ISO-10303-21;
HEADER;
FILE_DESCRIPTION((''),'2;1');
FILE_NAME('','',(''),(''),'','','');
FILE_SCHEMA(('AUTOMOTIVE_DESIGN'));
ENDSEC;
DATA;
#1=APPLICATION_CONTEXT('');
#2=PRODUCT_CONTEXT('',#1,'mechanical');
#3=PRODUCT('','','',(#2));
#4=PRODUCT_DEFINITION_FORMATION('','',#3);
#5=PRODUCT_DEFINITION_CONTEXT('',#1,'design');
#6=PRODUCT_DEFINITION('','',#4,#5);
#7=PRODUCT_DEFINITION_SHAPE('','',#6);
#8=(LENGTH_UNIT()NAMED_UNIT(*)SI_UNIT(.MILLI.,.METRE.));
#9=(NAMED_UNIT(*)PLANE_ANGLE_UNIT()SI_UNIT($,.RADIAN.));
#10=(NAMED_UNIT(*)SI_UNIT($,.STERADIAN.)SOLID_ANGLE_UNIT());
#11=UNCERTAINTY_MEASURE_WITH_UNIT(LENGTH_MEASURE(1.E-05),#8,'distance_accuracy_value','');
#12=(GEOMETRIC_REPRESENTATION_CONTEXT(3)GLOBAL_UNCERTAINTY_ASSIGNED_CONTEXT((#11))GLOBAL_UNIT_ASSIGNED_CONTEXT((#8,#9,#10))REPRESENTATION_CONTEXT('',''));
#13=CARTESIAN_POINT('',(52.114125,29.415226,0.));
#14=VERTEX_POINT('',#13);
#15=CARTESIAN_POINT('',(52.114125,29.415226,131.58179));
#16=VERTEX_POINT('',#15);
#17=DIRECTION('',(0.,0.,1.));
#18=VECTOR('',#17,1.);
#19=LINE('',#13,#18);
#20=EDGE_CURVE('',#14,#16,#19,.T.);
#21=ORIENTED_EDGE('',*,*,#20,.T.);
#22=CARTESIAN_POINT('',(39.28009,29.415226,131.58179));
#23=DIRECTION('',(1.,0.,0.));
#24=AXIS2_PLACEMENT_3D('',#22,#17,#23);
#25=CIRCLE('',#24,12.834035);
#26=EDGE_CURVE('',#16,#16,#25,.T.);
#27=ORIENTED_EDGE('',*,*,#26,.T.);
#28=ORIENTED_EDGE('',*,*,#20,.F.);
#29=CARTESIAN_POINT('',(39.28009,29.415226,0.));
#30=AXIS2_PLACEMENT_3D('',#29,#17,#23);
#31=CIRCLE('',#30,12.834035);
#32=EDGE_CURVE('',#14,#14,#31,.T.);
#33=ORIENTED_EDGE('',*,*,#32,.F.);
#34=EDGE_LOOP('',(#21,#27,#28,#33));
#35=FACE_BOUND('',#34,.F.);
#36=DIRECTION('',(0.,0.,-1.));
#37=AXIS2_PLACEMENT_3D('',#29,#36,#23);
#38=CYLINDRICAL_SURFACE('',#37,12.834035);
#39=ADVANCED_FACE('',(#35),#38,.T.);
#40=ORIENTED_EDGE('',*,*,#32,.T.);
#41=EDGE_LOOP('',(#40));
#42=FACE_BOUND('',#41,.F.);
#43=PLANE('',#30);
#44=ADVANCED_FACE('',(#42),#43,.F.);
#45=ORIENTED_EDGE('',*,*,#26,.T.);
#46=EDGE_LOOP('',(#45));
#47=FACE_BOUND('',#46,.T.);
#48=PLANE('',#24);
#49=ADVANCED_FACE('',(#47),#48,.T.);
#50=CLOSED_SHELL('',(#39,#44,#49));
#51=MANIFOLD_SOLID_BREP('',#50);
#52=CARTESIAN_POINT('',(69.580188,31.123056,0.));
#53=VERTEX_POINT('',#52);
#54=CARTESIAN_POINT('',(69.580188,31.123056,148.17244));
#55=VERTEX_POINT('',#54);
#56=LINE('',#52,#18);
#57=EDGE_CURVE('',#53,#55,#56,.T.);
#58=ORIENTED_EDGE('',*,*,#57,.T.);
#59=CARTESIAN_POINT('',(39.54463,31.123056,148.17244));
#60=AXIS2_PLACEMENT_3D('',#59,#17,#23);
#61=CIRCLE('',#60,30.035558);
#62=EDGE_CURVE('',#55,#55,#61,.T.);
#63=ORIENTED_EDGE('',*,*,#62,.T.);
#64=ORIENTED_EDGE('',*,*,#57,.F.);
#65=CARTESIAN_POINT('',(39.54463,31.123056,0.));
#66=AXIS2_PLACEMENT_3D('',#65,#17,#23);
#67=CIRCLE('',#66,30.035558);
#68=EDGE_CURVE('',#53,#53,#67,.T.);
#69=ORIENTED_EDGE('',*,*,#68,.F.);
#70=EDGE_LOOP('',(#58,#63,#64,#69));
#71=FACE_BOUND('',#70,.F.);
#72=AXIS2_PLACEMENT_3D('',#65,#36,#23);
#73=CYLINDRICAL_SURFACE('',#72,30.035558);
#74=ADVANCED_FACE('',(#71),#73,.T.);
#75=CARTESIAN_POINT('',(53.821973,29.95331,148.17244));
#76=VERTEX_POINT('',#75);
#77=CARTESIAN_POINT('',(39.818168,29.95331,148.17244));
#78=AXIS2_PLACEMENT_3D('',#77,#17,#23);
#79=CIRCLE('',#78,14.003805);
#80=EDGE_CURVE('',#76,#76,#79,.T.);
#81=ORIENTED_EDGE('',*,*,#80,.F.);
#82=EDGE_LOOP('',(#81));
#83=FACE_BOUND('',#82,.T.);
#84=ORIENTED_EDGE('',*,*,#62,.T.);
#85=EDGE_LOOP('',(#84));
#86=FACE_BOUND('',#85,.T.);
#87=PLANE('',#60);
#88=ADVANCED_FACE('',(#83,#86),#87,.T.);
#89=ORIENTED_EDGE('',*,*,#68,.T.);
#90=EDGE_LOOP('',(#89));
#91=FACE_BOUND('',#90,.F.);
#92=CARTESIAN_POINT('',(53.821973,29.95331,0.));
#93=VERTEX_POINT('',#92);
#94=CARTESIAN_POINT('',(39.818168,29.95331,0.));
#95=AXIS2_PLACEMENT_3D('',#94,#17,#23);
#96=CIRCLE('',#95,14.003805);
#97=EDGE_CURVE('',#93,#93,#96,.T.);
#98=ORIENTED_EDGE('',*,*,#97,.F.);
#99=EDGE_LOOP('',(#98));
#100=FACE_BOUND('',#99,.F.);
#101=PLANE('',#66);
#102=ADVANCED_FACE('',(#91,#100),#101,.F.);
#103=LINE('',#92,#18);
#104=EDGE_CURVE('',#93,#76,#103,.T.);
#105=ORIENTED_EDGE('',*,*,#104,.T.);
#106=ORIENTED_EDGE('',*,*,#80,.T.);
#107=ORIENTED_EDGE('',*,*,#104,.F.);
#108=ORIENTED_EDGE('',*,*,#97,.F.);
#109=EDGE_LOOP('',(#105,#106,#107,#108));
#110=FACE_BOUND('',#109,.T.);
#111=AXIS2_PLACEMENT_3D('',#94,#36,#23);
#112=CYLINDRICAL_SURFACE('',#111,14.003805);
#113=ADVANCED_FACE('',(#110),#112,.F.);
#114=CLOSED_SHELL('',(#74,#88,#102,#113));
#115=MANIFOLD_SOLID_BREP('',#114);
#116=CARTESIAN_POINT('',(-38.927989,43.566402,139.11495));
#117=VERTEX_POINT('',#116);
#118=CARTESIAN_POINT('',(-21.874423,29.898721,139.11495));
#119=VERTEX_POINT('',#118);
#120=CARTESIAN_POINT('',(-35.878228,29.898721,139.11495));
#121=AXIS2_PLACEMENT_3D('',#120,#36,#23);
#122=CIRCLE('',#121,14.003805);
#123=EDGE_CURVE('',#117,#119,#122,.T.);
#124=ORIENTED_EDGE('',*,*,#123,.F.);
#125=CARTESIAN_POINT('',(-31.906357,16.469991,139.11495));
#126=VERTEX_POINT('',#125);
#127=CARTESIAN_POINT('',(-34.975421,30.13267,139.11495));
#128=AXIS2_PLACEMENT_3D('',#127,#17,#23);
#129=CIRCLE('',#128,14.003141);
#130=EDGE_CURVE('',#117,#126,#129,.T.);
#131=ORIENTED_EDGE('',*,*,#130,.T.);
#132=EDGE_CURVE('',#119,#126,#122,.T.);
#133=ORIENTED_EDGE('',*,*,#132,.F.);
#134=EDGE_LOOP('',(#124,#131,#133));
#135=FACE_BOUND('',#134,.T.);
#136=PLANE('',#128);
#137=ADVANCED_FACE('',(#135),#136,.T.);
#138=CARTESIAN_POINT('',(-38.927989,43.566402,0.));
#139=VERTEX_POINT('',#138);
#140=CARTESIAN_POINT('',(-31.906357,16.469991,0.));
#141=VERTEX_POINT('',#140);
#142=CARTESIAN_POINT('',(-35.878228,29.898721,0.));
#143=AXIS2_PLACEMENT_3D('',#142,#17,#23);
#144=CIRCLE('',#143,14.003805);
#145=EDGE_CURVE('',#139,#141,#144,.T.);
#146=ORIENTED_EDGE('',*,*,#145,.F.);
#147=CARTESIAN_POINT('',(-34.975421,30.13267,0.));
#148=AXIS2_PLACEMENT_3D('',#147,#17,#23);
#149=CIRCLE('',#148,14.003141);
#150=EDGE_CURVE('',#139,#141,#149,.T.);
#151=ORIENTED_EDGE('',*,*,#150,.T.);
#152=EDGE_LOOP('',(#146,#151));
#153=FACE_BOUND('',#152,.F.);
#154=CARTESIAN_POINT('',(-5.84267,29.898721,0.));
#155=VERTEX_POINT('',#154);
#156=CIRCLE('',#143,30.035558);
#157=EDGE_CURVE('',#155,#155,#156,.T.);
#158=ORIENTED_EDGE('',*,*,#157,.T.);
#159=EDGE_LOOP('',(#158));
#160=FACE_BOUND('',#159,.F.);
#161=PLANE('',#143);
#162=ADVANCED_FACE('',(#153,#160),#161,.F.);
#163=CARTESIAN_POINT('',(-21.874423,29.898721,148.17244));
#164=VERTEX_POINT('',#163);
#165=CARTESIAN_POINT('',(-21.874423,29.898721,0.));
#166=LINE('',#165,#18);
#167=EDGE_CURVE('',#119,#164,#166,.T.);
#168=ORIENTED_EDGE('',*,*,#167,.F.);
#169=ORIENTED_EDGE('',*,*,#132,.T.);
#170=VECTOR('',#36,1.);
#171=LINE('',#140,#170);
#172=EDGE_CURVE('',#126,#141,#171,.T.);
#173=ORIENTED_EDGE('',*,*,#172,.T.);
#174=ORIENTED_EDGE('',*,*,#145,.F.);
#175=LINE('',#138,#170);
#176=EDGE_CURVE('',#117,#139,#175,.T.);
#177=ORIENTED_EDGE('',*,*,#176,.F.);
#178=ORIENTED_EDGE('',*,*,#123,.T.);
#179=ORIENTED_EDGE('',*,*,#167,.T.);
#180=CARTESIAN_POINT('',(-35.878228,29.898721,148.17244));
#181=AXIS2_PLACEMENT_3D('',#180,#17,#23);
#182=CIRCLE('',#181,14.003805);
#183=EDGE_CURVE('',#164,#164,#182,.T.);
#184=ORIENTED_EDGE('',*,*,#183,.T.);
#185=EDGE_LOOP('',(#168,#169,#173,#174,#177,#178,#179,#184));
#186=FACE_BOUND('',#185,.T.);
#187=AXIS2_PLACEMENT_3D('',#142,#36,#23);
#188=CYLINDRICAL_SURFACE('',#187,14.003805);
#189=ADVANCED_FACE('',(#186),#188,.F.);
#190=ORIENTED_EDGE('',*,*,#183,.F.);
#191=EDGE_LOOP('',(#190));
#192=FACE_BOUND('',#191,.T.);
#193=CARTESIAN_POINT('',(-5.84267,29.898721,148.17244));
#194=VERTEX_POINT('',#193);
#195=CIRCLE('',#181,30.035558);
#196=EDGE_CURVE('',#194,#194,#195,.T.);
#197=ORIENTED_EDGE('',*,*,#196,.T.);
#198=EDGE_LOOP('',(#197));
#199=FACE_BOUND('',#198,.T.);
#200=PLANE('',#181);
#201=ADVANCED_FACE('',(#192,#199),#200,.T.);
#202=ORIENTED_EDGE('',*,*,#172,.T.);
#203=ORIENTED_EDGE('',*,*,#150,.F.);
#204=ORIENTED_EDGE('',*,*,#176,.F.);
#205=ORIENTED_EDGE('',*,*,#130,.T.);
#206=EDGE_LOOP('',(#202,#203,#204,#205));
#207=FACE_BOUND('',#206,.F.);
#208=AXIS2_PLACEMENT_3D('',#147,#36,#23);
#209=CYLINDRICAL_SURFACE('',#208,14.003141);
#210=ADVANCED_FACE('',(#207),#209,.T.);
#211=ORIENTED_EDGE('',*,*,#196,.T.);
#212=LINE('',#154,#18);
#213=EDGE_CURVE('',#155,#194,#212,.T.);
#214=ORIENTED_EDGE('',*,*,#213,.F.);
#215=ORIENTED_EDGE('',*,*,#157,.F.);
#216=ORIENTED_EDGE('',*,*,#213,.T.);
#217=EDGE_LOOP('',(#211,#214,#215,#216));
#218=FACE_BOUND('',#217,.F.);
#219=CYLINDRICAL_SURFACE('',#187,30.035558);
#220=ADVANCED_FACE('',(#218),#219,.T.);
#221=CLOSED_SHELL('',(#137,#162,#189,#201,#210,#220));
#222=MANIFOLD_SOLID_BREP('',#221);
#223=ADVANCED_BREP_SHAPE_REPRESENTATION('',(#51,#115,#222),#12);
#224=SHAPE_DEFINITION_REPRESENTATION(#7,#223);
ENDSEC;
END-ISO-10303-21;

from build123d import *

# Parameters (mm, degrees)
F0_R     = 30.035558
F0_R_2   = 14.003805
F1_DEPTH = 148.17244
F2_R     = 12.834035
F3_DEPTH = 131.58179
F2_R_2   = 14.003141
F4_DEPTH = 139.11495


with BuildPart() as f1:
    # F0 (on Top) → F1 (new body)
    with BuildSketch(Plane.XY):
        with Locations((-35.878228, 29.898721)):
            Circle(F0_R)
        with Locations((-35.878228, 29.898721)):
            Circle(F0_R_2, mode=Mode.SUBTRACT)
        with Locations((39.54463, 31.123056)):
            Circle(F0_R)
        with Locations((39.818168, 29.95331)):
            Circle(F0_R_2, mode=Mode.SUBTRACT)
    extrude(amount=F1_DEPTH)

    # F2 (on Top) → F4 (join)
    with BuildSketch(Plane.XY):
        with Locations((-34.975421, 30.13267)):
            Circle(F2_R_2)
    extrude(amount=F4_DEPTH)


with BuildPart() as f3:
    # F2 (on Top) → F3 (new body)
    with BuildSketch(Plane.XY):
        with Locations((39.28009, 29.415226)):
            Circle(F2_R)
    extrude(amount=F3_DEPTH)


solid = Compound([f1.part, f3.part])
